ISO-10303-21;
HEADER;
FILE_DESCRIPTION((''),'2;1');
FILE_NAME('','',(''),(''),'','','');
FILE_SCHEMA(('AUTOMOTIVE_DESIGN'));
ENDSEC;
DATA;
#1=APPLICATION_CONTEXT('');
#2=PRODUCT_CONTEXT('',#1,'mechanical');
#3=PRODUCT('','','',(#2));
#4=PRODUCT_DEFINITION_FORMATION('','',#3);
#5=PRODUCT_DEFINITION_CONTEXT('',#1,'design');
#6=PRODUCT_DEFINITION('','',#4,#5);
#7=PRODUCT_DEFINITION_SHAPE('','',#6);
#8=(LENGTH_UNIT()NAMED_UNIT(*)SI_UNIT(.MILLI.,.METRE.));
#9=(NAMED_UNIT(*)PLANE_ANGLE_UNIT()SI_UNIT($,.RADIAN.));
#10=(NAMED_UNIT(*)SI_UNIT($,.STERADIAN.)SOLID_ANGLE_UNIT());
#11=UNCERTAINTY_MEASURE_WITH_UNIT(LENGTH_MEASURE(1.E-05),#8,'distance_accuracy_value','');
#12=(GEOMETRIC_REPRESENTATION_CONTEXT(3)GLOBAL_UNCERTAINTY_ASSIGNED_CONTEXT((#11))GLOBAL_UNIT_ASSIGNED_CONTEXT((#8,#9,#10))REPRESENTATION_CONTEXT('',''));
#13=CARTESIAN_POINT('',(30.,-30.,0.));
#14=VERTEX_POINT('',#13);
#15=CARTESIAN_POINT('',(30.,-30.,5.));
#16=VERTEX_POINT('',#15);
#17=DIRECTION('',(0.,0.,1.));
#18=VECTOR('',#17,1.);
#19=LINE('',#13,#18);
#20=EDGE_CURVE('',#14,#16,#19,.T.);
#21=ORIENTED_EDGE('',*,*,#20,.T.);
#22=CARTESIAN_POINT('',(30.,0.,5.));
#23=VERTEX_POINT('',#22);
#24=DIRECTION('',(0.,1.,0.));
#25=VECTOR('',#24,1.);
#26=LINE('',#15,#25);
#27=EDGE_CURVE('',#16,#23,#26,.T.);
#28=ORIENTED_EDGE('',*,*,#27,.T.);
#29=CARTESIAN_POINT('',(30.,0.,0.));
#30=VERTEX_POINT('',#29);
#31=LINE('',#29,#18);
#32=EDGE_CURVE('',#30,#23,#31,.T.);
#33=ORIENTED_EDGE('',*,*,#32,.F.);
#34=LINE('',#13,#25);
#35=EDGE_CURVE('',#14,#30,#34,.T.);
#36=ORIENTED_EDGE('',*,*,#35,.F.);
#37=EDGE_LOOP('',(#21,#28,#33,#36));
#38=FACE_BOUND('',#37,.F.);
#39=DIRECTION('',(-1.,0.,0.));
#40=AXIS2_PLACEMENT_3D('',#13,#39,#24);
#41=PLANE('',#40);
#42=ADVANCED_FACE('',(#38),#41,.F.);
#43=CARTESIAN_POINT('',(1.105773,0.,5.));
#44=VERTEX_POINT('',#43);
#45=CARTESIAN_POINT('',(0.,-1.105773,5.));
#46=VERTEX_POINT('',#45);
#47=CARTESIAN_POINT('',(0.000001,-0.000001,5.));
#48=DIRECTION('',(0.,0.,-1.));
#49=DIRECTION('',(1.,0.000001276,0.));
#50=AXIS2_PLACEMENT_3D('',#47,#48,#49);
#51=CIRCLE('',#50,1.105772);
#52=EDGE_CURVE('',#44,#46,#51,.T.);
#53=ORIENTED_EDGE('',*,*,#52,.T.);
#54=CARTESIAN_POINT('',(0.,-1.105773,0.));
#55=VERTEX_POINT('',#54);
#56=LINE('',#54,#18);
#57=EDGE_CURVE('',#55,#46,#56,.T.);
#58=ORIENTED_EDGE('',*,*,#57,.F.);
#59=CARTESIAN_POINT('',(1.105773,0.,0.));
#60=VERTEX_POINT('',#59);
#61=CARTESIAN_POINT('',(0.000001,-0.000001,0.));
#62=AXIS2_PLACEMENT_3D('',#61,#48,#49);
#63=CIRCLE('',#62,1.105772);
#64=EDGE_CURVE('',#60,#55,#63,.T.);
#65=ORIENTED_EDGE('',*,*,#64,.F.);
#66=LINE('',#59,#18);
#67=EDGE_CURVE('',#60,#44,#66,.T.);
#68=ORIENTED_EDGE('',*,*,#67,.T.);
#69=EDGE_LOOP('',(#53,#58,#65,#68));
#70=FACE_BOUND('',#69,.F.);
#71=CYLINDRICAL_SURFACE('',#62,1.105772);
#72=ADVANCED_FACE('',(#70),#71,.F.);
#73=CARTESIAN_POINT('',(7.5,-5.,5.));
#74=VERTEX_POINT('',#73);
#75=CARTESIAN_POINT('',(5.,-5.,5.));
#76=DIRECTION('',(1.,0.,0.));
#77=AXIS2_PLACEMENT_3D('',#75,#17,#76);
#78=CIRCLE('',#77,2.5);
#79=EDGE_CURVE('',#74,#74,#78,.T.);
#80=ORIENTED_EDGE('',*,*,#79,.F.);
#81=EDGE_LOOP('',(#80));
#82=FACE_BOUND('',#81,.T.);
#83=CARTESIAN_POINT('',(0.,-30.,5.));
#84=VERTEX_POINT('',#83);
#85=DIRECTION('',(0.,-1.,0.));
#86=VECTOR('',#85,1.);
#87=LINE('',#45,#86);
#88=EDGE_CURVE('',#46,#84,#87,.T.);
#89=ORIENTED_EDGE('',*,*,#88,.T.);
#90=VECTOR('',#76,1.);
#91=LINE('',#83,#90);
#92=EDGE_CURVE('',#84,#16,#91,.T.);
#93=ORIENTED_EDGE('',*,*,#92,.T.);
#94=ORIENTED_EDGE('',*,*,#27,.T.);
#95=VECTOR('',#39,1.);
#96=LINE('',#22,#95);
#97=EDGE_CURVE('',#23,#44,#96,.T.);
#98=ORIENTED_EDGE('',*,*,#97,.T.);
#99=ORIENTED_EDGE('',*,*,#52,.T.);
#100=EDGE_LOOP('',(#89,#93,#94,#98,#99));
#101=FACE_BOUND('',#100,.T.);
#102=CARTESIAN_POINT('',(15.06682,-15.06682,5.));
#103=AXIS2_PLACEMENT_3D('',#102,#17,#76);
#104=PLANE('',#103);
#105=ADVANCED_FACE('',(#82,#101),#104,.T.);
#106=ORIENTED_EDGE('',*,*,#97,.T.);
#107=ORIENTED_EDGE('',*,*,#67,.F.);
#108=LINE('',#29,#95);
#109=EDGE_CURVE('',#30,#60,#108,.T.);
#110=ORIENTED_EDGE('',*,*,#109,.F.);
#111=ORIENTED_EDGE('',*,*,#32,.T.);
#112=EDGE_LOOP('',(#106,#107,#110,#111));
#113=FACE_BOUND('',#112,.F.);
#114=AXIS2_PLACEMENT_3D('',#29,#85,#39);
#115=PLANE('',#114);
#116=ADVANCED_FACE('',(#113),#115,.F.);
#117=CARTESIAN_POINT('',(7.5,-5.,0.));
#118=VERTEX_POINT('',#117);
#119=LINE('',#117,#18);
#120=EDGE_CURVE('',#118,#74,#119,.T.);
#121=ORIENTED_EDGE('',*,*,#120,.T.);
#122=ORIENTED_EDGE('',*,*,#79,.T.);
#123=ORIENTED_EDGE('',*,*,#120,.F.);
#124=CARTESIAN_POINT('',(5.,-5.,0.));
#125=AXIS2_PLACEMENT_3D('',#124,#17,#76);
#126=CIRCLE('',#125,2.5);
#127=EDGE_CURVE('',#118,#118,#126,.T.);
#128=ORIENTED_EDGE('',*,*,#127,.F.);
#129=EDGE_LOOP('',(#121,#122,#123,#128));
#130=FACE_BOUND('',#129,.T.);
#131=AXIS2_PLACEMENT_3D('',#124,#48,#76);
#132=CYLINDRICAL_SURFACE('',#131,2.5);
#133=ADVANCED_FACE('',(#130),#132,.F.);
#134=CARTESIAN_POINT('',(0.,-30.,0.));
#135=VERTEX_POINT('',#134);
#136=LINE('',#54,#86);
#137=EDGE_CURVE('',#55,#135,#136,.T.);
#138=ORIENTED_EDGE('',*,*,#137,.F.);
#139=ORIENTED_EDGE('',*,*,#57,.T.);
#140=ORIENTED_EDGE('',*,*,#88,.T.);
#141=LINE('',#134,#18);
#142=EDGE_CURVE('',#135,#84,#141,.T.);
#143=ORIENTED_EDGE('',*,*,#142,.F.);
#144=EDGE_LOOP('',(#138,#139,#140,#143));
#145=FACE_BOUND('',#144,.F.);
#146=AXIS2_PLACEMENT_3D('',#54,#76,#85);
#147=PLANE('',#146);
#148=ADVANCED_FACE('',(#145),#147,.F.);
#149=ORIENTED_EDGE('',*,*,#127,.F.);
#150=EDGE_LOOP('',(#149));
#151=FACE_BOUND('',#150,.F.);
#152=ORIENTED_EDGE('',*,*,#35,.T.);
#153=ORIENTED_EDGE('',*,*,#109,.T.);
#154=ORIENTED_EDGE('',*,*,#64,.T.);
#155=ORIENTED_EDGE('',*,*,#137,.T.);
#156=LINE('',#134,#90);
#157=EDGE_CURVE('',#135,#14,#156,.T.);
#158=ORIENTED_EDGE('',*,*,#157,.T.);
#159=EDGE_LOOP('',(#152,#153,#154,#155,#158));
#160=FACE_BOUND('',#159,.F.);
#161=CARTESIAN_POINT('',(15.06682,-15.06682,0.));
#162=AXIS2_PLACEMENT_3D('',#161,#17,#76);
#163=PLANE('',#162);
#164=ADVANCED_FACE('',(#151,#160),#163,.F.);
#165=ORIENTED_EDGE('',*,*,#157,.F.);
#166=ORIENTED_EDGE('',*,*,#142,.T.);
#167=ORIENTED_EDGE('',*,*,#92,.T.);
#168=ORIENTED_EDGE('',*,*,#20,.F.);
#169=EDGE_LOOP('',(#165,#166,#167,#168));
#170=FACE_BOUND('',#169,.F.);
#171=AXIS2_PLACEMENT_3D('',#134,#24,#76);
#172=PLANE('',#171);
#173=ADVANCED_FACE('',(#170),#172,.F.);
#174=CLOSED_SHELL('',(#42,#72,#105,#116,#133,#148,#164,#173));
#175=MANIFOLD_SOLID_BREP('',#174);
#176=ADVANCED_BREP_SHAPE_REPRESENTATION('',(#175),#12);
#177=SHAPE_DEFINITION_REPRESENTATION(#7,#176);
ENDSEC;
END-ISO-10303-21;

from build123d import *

# Parameters (mm, degrees)
F0_R     = 2.5
F1_DEPTH = 5


with BuildPart() as f1:
    # F0 (on Top) → F1 (new body)
    with BuildSketch(Plane.XY):
        with BuildLine():
            Line((30, 0), (1.105773, 0))
            ThreePointArc((1.105773, 0), (0.7819, -0.7819), (0, -1.105773))
            Line((0, -1.105773), (0, -30))
            Line((0, -30), (30, -30))
            Line((30, -30), (30, 0))
        make_face()
        with Locations((5, -5)):
            Circle(F0_R, mode=Mode.SUBTRACT)
    extrude(amount=F1_DEPTH)


solid = f1.part
